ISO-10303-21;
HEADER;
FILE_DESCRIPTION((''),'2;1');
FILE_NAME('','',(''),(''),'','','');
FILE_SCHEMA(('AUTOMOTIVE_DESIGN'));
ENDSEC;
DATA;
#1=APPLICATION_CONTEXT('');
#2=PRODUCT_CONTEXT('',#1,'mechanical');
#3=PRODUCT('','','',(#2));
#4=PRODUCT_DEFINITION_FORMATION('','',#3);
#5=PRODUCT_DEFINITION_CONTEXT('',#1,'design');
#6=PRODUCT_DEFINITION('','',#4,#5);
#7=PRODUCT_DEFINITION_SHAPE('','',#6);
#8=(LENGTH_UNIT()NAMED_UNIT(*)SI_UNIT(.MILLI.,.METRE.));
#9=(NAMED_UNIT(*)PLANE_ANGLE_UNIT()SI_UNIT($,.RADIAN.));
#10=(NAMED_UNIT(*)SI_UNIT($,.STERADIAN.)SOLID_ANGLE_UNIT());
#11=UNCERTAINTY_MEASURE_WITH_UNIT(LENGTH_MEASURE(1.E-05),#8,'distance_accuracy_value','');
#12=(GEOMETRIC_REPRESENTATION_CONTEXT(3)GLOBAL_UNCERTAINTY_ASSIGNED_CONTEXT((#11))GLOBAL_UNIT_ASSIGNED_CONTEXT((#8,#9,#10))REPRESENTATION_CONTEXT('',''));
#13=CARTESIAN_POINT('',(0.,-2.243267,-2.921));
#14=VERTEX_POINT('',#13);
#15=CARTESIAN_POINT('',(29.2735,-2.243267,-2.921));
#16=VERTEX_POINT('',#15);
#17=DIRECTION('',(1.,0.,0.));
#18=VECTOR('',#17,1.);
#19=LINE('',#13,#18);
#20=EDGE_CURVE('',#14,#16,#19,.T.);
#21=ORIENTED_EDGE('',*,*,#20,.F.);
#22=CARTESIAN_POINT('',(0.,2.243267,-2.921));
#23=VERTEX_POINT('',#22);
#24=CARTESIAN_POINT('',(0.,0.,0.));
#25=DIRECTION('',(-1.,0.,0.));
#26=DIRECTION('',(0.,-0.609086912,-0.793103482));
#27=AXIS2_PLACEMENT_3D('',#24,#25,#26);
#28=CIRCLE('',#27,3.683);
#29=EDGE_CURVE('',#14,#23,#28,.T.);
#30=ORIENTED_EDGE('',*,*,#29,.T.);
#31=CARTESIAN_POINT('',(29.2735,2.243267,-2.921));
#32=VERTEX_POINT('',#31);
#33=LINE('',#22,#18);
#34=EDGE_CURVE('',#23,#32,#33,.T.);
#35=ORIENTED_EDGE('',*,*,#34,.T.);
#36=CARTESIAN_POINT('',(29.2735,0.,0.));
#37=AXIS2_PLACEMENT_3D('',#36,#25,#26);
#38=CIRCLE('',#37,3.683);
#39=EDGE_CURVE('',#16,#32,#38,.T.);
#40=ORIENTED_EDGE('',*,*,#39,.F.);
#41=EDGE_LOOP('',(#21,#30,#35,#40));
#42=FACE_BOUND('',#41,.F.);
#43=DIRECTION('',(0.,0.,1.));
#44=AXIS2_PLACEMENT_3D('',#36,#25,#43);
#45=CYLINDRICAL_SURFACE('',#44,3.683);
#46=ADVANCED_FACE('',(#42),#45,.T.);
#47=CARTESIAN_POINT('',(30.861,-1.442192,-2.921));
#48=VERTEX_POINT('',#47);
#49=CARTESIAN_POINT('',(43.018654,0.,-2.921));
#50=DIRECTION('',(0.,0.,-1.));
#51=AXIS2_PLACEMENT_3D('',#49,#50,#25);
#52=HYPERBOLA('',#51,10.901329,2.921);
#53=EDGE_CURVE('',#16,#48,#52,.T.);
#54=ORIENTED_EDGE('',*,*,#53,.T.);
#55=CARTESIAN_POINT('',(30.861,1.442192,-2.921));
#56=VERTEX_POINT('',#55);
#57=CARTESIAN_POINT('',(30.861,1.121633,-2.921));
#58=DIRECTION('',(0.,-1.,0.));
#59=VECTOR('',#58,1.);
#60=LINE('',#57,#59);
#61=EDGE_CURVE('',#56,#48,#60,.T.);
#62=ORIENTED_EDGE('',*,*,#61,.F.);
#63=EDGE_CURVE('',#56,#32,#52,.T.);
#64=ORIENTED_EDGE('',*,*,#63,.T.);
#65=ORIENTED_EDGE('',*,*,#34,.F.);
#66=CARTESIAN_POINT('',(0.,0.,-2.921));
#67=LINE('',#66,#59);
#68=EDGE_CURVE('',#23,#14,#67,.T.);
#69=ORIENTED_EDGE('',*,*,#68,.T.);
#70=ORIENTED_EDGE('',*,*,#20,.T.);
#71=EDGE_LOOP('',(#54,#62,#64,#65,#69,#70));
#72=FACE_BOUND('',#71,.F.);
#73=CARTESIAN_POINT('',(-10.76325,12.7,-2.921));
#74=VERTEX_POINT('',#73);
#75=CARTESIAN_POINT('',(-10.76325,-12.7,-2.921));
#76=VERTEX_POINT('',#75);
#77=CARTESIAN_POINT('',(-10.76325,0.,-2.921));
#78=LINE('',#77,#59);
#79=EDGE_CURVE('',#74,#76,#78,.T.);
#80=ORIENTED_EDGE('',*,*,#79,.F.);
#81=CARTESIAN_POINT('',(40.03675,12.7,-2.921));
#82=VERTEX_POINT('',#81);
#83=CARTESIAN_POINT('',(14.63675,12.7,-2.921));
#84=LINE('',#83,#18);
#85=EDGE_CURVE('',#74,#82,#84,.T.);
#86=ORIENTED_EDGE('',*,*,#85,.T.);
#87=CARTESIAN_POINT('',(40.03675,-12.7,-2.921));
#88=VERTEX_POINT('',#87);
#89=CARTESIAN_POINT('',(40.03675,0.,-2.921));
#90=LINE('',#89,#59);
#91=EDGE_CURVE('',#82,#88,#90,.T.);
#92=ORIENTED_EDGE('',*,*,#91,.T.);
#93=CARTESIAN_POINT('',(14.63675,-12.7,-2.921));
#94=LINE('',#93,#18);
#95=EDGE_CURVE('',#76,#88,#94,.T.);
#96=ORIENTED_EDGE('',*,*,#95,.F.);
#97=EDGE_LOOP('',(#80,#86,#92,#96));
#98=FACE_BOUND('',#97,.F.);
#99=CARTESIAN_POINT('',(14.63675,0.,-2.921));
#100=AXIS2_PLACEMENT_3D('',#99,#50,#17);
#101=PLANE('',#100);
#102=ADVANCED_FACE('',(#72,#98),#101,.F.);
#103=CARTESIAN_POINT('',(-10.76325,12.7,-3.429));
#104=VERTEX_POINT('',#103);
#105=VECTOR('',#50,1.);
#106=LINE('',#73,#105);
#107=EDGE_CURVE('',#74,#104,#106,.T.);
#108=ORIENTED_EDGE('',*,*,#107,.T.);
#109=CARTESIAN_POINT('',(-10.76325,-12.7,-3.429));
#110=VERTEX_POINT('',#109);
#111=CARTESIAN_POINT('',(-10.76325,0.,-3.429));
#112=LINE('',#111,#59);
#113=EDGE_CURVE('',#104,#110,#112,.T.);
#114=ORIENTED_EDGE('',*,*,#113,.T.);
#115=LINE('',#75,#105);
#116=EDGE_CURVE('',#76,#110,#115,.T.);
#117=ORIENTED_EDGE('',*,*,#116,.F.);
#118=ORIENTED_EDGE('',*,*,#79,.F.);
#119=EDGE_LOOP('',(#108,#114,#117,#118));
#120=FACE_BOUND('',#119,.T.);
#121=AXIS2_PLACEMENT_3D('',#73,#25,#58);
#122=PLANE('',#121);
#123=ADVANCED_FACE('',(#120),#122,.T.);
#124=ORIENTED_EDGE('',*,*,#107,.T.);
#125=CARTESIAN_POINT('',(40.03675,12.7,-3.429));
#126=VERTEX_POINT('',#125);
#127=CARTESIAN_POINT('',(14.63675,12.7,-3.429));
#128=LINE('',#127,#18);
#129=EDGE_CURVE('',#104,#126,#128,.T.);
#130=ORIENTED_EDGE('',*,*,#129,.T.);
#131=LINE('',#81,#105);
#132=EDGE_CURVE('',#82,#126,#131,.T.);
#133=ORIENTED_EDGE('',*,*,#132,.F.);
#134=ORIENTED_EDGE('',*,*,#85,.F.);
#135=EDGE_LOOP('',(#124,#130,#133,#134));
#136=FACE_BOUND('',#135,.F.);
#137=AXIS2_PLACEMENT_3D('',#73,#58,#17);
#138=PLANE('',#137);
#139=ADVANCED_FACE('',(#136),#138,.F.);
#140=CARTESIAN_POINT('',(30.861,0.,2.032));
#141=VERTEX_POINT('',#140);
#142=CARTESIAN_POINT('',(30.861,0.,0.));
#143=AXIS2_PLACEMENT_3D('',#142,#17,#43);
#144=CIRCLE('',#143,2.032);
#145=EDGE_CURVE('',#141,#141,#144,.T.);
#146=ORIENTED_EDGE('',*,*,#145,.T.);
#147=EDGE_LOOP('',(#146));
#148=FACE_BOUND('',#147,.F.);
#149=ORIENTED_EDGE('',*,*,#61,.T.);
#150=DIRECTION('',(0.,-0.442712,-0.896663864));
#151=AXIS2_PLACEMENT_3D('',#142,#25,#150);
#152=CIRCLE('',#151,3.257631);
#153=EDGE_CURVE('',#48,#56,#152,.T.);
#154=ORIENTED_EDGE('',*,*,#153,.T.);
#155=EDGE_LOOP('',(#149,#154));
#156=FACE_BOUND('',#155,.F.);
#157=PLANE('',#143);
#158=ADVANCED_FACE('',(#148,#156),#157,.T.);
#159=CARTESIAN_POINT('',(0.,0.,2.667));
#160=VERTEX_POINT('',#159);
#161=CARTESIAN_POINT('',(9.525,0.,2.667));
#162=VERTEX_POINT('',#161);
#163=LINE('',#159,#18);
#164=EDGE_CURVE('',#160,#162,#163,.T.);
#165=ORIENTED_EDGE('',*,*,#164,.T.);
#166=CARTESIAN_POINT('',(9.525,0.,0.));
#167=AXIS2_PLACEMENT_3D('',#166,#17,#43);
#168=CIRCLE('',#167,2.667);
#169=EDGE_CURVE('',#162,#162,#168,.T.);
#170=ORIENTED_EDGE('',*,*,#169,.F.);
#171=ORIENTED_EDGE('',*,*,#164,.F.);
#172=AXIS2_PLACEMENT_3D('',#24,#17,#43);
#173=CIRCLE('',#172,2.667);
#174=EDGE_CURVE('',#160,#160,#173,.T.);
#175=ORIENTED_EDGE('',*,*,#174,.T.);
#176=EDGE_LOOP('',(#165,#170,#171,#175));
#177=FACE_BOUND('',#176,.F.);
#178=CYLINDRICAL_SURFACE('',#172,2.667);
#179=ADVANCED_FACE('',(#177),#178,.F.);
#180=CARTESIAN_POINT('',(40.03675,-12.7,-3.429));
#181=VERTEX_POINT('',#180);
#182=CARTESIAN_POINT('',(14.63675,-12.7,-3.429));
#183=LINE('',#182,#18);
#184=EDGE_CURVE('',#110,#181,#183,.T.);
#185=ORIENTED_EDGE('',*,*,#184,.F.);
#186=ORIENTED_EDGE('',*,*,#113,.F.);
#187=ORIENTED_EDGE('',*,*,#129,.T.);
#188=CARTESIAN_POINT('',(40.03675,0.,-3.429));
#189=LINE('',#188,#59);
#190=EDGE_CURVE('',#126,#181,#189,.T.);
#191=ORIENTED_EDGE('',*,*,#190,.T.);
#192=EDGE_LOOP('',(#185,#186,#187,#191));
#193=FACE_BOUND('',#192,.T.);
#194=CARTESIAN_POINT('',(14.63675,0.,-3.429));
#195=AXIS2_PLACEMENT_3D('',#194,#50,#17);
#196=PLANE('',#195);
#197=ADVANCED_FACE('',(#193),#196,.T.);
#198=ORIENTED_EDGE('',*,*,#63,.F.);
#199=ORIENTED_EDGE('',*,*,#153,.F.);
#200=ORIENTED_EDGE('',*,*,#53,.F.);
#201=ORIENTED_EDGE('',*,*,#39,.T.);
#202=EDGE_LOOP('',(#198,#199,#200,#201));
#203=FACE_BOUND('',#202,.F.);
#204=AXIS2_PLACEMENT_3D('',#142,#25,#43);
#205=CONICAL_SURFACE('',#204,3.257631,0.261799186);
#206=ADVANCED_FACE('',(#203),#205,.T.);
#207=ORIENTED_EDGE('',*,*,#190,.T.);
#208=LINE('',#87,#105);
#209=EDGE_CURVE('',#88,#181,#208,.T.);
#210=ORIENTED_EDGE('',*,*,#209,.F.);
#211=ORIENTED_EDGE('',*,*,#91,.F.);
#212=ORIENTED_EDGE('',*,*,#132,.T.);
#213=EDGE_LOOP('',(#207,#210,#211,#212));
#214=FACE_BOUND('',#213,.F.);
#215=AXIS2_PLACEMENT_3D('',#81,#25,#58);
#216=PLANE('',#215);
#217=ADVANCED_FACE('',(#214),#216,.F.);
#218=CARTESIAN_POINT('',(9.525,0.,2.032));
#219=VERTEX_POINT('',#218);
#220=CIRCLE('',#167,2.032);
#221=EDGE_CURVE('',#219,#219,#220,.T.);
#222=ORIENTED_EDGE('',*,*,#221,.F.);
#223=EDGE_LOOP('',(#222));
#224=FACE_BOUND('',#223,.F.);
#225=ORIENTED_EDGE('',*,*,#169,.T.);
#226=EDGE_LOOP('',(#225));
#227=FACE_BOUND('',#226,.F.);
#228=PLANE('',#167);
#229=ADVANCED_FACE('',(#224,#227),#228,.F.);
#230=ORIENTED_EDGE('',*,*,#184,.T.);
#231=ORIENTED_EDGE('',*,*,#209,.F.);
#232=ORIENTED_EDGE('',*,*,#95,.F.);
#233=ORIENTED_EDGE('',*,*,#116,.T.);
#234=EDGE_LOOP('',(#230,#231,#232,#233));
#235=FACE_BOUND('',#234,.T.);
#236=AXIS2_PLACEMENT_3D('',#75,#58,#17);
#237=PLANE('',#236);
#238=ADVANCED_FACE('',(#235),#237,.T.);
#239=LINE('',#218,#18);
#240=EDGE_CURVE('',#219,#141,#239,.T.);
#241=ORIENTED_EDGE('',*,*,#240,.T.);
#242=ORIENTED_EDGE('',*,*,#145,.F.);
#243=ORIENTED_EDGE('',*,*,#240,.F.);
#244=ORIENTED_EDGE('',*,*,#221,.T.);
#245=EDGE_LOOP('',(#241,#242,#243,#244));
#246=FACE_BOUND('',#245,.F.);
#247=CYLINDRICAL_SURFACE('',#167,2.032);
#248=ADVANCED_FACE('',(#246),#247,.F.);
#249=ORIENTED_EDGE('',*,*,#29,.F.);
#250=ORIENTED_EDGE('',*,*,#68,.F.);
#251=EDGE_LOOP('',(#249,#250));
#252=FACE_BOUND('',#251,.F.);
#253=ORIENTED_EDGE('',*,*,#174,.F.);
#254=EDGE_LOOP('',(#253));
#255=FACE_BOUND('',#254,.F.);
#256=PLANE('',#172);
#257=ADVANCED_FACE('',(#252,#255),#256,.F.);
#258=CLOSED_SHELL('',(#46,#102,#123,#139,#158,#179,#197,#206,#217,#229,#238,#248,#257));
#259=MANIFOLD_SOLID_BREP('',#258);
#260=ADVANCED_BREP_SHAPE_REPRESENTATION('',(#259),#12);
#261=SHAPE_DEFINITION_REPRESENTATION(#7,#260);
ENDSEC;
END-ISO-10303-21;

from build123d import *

# Parameters (mm, degrees)
F2_W     = 4.486534
F2_H     = 0.762
F3_DEPTH = 30.862
F4_W     = 50.8
F4_H     = 25.4
F5_DEPTH = 0.508


with BuildPart() as f1:
    # F0 (on Front) → F1 (revolve)
    with BuildSketch(Plane.XZ):
        Polygon((0, 3.683), (0, 2.667), (9.525, 2.667), (9.525, 2.032), (30.861, 2.032), (30.861, 3.257631), (29.2735, 3.683), align=None)
    revolve(axis=Axis((17.153487, 0, 0), (1, 0, 0)))

    # F2 (on face) → F3 (cut, through all)
    with BuildSketch(Plane(origin=(0, 0, 0), x_dir=(0, -1, 0), z_dir=(-1, 0, 0))):
        with Locations((0, -3.302)):
            Rectangle(F2_W, F2_H)
    extrude(amount=-F3_DEPTH, mode=Mode.SUBTRACT)

    # F4 (on face) → F5 (join)
    with BuildSketch(Plane(origin=(0, 0, -2.921), x_dir=(1, 0, 0), z_dir=(0, 0, -1))):
        with Locations((14.63675, 0)):
            Rectangle(F4_W, F4_H)
    extrude(amount=F5_DEPTH)


solid = f1.part
